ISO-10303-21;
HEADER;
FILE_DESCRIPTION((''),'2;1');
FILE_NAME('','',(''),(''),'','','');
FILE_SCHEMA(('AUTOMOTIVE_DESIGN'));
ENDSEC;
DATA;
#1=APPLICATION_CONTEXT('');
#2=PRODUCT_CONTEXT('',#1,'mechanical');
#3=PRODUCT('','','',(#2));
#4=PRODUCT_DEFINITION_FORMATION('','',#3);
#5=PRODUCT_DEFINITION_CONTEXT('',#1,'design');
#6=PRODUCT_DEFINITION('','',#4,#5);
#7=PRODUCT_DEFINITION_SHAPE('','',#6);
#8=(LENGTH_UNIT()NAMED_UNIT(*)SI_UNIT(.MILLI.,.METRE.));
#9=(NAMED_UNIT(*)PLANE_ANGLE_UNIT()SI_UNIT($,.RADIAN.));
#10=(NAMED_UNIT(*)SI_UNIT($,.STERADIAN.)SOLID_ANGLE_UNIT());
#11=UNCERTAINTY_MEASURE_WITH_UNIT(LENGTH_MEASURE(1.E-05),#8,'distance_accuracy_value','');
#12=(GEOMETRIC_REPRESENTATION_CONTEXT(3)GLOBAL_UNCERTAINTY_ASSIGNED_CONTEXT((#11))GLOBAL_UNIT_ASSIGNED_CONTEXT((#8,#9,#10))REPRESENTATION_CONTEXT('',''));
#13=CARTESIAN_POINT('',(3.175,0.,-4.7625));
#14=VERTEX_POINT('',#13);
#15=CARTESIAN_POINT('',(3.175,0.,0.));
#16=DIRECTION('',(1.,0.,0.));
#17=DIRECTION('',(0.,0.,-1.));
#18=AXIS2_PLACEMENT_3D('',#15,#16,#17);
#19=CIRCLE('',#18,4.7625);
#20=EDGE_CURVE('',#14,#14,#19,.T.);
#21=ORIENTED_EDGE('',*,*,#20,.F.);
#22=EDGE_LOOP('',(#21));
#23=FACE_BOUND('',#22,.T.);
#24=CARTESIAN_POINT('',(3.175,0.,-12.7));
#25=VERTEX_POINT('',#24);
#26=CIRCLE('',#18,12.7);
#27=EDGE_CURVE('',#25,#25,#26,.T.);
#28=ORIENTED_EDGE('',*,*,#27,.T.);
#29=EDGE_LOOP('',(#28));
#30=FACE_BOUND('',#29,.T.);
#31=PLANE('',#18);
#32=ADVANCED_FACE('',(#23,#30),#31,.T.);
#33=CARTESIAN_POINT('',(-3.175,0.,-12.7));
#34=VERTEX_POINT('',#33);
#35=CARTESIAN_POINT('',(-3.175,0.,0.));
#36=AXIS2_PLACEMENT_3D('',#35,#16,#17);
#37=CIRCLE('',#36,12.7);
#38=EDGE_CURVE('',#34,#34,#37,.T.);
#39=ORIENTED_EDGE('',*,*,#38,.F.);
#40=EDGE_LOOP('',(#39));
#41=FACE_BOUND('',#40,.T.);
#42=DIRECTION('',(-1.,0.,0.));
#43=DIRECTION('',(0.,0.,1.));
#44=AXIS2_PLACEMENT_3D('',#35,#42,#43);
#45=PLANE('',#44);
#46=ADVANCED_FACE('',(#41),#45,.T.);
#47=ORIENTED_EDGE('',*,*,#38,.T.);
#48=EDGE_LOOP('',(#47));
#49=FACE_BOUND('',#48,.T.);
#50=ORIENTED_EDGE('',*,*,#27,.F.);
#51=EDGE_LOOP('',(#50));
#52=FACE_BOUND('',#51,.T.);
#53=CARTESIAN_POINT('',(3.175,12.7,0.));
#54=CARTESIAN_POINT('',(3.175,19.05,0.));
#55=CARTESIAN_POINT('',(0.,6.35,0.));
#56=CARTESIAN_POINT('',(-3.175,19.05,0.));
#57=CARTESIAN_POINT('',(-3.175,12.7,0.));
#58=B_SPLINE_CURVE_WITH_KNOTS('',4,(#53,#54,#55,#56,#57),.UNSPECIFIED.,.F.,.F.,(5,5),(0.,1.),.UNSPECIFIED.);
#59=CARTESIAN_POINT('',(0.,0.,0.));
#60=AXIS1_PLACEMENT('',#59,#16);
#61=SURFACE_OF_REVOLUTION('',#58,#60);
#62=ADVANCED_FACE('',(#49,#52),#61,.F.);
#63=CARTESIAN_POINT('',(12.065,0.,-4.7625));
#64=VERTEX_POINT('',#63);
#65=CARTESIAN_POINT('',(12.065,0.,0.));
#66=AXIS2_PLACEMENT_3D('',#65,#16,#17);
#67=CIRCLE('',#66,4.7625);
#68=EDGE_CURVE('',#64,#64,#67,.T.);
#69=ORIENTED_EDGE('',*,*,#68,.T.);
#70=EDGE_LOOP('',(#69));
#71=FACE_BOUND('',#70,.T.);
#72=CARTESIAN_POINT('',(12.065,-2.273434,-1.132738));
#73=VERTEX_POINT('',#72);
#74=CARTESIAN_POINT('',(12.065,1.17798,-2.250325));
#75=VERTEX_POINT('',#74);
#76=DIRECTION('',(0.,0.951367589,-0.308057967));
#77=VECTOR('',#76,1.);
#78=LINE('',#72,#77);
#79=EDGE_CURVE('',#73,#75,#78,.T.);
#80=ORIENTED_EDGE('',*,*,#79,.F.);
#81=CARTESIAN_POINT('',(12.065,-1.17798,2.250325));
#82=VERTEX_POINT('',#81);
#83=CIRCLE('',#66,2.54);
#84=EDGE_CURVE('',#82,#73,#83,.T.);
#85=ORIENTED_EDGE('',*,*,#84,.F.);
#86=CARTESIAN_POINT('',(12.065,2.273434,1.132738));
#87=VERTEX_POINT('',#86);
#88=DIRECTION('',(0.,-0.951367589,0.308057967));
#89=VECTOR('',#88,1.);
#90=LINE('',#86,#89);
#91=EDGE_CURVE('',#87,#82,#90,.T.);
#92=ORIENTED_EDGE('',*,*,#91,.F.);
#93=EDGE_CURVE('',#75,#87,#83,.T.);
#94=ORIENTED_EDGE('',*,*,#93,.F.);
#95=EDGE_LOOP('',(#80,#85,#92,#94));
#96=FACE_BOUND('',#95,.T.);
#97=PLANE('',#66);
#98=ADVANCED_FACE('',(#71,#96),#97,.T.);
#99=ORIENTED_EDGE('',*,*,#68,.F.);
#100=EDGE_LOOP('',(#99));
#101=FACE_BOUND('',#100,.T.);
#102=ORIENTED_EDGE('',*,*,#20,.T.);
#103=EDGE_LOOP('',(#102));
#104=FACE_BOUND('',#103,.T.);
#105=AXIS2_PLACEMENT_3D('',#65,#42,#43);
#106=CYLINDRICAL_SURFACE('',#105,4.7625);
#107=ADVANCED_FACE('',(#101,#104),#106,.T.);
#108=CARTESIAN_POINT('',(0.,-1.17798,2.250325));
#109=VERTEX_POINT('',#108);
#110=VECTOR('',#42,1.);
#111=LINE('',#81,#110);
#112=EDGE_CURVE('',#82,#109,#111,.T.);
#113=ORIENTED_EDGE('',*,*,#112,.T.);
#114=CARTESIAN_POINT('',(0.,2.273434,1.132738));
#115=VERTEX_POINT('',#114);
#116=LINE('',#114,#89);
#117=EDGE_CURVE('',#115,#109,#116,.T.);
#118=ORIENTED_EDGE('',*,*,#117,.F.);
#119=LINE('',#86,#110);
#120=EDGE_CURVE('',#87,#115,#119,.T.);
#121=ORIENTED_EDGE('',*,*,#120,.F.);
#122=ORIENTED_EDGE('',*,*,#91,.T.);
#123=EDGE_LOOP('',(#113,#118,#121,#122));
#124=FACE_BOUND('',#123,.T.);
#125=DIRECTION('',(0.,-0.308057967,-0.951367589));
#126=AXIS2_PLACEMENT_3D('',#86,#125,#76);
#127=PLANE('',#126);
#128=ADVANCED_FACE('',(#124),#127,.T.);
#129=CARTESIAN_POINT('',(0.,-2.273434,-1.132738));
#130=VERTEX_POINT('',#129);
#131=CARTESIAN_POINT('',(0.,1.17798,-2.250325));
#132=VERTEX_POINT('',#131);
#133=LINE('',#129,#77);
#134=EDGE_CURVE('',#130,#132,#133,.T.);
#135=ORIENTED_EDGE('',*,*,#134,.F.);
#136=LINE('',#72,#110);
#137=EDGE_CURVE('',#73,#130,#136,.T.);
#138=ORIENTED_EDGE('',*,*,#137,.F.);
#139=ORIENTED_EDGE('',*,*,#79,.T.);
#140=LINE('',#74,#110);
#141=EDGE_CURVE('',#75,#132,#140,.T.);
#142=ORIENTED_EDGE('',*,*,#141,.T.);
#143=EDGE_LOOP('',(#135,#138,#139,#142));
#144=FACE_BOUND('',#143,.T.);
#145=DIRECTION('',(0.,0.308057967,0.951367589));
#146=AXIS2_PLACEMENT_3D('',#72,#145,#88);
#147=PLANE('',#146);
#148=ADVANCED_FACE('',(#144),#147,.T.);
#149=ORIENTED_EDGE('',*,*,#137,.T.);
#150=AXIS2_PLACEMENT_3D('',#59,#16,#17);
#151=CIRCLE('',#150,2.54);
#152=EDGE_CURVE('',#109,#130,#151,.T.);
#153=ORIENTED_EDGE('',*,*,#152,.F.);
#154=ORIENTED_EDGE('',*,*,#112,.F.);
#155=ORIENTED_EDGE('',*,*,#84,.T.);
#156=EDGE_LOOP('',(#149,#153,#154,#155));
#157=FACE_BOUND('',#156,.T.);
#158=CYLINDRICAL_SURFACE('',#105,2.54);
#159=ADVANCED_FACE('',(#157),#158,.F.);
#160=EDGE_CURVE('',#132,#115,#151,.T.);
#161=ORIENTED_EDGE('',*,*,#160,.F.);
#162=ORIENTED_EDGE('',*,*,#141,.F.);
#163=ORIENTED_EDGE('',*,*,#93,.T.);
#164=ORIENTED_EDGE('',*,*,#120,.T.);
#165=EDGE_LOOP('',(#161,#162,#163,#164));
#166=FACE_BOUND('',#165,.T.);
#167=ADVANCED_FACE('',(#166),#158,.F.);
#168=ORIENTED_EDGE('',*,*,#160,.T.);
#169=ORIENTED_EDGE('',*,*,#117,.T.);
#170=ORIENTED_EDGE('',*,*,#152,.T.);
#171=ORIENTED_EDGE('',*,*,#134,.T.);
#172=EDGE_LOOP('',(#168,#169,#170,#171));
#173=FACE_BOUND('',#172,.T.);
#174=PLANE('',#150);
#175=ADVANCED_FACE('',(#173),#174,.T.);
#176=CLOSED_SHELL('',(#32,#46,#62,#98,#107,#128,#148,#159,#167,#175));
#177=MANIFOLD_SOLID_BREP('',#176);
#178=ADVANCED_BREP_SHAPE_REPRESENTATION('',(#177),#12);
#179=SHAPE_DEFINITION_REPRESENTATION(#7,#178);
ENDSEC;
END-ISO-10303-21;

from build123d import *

# Parameters (mm, degrees)
SKETCH2_R           = 4.7625
BOSS_EXTRUDE1_DEPTH = 8.89
CUT_EXTRUDE1_START  = -3.175
CUT_EXTRUDE1_DEPTH  = 3.175


with BuildPart() as part:
    # Sketch1 → Revolve1 (revolve)
    with BuildSketch(Plane.XY):
        with BuildLine():
            Line((0, 0), (-3.175, 0))
            Line((-3.175, 0), (-3.175, 12.7))
            add(Edge.make_bspline(
                [(-3.175, 12.7), (-3.175, 19.05), (0, 6.35), (3.175, 19.05), (3.175, 12.7)],
                knots=[0, 0, 0, 0, 0, 1, 1, 1, 1, 1], degree=4))
            Line((3.175, 12.7), (3.175, 0))
            Line((3.175, 0), (0, 0))
        make_face()
    revolve(axis=Axis((0, 0, 0), (-1, 0, 0)))

    # Sketch2 → Boss-Extrude1 (add)
    with BuildSketch(Plane(origin=(3.175, 0, 0), x_dir=(0, 0, -1), z_dir=(1, 0, 0))):
        Circle(SKETCH2_R)
        with BuildLine():
            Line((1.132738197, -2.273434446), (2.250324949, 1.177980315))
            ThreePointArc((2.250324949, 1.177980315), (0.782467236, 2.416473676), (-1.132738197, 2.273434446))
            Line((-1.132738197, 2.273434446), (-2.250324949, -1.177980315))
            ThreePointArc((-2.250324949, -1.177980315), (-0.782467236, -2.416473676), (1.132738197, -2.273434446))
        make_face(mode=Mode.SUBTRACT)
    extrude(amount=BOSS_EXTRUDE1_DEPTH)

    # Sketch2<2> → Cut-Extrude1 (cut)
    with BuildSketch(Plane(origin=(3.175, 0, 0), x_dir=(0, 0, -1), z_dir=(1, 0, 0)).offset(CUT_EXTRUDE1_START)):
        with BuildLine():
            Line((1.132738197, -2.273434446), (2.250324949, 1.177980315))
            ThreePointArc((2.250324949, 1.177980315), (0.782467236, 2.416473676), (-1.132738197, 2.273434446))
            Line((-1.132738197, 2.273434446), (-2.250324949, -1.177980315))
            ThreePointArc((-2.250324949, -1.177980315), (-0.782467236, -2.416473676), (1.132738197, -2.273434446))
        make_face()
    extrude(amount=CUT_EXTRUDE1_DEPTH, mode=Mode.SUBTRACT)


solid = part.part
